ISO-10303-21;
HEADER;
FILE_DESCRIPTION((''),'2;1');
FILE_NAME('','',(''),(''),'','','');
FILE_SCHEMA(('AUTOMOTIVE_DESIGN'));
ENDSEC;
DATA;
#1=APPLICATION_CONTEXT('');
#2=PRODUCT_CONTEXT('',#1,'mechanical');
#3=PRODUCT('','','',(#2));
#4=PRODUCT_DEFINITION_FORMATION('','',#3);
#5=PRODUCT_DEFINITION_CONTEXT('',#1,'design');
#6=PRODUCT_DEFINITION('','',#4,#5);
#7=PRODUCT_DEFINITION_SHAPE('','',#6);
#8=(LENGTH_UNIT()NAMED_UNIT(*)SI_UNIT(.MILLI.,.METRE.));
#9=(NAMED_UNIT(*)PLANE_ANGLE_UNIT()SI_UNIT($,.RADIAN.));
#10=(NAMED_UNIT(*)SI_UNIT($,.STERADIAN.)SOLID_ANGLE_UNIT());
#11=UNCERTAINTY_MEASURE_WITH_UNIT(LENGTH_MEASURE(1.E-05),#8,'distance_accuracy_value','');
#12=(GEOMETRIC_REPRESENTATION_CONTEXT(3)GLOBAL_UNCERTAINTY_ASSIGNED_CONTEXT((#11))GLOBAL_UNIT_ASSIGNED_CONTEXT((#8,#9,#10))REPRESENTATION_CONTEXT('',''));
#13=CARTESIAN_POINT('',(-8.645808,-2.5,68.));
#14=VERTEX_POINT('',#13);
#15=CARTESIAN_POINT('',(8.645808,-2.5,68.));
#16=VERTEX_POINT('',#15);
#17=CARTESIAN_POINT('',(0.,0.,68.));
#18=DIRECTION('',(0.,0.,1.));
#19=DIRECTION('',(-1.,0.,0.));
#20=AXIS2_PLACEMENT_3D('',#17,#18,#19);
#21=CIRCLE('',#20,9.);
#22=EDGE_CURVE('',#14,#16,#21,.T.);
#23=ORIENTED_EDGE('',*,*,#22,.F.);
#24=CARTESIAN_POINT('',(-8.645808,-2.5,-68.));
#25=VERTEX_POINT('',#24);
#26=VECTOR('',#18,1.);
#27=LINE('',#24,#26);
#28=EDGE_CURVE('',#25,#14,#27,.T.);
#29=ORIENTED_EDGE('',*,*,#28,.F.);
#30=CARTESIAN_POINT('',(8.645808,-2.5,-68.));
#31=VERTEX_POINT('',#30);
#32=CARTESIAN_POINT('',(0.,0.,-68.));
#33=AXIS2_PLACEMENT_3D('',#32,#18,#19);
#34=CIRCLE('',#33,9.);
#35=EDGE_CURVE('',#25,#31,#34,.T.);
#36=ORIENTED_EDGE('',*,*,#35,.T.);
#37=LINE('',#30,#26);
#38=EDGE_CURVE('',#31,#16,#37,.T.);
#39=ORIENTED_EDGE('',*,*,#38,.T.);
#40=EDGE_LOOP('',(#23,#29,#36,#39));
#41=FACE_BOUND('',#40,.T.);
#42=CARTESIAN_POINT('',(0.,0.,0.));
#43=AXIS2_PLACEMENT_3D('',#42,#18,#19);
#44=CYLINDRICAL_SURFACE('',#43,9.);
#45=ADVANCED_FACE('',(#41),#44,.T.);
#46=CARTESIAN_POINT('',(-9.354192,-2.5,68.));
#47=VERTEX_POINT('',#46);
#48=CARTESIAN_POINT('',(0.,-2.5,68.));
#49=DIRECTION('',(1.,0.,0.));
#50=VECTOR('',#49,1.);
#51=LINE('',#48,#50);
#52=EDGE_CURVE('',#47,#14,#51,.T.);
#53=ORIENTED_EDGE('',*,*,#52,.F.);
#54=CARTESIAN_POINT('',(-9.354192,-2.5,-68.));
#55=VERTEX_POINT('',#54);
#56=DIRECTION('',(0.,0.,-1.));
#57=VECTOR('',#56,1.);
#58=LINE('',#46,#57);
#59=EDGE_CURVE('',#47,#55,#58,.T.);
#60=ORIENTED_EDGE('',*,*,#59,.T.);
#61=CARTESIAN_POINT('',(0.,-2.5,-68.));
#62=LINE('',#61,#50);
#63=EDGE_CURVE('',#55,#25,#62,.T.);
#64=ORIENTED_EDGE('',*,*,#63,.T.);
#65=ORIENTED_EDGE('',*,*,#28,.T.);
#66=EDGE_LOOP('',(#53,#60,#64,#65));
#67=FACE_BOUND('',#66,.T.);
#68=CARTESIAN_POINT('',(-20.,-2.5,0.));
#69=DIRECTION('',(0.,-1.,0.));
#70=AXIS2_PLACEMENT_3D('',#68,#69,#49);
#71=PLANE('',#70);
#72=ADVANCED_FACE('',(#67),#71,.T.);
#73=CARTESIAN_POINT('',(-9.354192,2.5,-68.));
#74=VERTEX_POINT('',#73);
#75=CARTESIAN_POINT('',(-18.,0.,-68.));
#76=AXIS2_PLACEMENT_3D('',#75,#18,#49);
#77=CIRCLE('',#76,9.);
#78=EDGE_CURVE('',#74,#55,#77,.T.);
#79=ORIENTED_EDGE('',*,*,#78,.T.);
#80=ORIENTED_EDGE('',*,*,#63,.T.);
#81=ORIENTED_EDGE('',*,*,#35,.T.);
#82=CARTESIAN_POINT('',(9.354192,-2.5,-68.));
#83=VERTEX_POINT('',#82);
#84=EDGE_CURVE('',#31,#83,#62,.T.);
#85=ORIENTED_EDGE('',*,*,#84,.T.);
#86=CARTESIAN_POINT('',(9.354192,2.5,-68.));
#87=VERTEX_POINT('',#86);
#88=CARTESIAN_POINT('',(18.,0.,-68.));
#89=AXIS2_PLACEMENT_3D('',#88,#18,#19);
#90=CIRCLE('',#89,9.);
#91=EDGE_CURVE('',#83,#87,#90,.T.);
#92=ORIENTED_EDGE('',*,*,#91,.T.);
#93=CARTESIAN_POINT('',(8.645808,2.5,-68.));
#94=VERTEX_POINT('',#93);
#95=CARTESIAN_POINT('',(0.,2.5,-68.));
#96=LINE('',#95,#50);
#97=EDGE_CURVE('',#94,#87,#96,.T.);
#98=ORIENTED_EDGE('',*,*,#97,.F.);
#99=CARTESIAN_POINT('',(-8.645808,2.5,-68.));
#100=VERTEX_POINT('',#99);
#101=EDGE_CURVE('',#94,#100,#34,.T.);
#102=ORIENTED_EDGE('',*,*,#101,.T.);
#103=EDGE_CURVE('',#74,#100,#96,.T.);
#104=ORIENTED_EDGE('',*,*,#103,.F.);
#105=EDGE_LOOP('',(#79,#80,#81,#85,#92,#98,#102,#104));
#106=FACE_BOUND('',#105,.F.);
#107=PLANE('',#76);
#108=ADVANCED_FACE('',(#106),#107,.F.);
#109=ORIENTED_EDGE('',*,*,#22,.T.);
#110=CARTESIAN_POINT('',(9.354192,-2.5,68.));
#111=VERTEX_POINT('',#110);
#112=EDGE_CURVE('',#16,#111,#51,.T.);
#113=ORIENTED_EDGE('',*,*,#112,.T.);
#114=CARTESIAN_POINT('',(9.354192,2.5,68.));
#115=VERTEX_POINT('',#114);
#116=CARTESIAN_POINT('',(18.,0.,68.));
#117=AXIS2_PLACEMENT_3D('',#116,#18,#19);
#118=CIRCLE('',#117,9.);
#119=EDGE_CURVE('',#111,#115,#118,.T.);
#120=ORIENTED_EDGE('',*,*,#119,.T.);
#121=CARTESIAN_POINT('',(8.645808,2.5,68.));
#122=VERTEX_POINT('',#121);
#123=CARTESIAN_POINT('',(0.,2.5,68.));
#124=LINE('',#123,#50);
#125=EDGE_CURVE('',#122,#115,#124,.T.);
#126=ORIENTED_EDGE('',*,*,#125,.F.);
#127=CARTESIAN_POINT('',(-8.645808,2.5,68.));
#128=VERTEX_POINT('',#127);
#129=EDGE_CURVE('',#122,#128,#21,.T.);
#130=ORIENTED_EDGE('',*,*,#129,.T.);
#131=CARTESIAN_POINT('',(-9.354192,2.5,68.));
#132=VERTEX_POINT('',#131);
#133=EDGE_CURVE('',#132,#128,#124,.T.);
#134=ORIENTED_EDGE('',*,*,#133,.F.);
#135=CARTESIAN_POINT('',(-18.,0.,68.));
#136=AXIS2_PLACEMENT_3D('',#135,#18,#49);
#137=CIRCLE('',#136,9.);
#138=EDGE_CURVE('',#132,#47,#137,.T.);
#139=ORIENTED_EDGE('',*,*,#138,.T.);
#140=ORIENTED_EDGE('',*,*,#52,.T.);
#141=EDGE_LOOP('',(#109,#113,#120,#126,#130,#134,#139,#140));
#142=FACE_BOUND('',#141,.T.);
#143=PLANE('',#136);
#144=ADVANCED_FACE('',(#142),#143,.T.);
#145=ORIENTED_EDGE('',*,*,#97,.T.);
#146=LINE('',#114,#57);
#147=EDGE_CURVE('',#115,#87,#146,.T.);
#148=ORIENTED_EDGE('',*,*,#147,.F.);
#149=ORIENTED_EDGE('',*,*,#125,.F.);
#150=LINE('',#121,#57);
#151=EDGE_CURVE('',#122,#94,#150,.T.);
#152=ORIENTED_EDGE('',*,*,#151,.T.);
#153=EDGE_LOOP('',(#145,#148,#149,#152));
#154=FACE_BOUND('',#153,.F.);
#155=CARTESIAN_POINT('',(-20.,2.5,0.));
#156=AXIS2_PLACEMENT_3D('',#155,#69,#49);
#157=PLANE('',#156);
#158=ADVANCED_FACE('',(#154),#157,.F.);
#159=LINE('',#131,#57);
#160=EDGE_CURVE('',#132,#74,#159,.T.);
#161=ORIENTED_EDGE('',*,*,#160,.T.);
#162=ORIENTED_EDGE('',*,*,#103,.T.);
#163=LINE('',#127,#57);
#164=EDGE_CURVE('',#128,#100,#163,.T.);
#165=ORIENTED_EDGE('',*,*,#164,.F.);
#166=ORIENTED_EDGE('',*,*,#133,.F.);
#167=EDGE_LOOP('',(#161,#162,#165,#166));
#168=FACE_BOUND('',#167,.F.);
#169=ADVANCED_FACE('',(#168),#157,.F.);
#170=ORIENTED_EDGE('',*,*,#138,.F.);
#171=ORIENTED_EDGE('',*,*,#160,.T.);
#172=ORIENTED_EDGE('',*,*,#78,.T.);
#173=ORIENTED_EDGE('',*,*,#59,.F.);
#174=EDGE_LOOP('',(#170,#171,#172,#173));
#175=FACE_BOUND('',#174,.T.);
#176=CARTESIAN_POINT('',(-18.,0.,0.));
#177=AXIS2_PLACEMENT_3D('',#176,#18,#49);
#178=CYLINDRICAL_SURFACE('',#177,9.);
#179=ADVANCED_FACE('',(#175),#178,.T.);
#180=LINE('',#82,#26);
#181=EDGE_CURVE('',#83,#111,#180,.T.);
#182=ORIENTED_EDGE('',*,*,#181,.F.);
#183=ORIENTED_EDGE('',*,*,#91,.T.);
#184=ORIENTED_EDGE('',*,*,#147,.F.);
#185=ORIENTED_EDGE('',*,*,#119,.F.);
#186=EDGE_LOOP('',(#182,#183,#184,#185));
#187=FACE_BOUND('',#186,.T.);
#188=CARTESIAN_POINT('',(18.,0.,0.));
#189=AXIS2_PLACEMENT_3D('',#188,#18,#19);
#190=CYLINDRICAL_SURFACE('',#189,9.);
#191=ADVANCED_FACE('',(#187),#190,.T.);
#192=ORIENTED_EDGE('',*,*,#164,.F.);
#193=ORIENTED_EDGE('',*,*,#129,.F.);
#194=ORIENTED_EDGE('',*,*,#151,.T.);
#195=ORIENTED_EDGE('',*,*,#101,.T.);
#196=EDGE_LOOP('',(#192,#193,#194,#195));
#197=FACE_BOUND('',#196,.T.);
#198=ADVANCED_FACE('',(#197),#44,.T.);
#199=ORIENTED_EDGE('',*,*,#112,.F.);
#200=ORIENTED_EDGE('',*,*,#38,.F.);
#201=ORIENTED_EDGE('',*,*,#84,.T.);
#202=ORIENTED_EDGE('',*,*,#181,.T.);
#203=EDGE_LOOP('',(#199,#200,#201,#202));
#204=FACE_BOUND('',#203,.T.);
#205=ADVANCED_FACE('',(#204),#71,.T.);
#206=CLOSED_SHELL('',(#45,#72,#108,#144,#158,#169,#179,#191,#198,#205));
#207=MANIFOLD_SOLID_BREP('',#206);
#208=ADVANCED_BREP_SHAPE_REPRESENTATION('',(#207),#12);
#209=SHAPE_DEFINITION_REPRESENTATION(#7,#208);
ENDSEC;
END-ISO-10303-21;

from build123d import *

# Parameters (mm, degrees)
F0_R          = 9
F1_DEPTH      = 68
F2_W          = 40
F2_H          = 5
F3_DEPTH      = 68
F3_DEPTH_BACK = 68


with BuildPart() as f1:
    # F0 (on Top) → F1 (new body, symmetric)
    with BuildSketch(Plane.XY):
        with Locations((-18, 0)):
            Circle(F0_R)
    extrude(amount=F1_DEPTH, both=True)



with BuildPart() as f1b:
    # F0 (on Top) → F1, piece 2 (new body, symmetric)
    with BuildSketch(Plane.XY):
        with BuildLine():
            ThreePointArc((27, 0), (18, 9), (9, 0))
            ThreePointArc((9, 0), (18, -9), (27, 0))
        make_face()
    extrude(amount=F1_DEPTH, both=True)


with BuildPart() as f1c:
    # F0 (on Top) → F1, piece 3 (new body, symmetric)
    with BuildSketch(Plane.XY):
        with BuildLine():
            ThreePointArc((9, 0), (0, 9), (-9, 0))
            ThreePointArc((-9, 0), (0, -9), (9, 0))
        make_face()
    extrude(amount=F1_DEPTH, both=True)


with BuildPart() as f1_1:
    add(f1.part)

    add(f1b.part)  # F3 merges F1b

    add(f1c.part)  # F3 merges F1c
    # F2 (on Top) → F3 (join, two sides)
    with BuildSketch(Plane.XY) as f3_sk:
        Rectangle(F2_W, F2_H)
    extrude(amount=F3_DEPTH)
    extrude(f3_sk.sketch, amount=-F3_DEPTH_BACK)


solid = f1_1.part
